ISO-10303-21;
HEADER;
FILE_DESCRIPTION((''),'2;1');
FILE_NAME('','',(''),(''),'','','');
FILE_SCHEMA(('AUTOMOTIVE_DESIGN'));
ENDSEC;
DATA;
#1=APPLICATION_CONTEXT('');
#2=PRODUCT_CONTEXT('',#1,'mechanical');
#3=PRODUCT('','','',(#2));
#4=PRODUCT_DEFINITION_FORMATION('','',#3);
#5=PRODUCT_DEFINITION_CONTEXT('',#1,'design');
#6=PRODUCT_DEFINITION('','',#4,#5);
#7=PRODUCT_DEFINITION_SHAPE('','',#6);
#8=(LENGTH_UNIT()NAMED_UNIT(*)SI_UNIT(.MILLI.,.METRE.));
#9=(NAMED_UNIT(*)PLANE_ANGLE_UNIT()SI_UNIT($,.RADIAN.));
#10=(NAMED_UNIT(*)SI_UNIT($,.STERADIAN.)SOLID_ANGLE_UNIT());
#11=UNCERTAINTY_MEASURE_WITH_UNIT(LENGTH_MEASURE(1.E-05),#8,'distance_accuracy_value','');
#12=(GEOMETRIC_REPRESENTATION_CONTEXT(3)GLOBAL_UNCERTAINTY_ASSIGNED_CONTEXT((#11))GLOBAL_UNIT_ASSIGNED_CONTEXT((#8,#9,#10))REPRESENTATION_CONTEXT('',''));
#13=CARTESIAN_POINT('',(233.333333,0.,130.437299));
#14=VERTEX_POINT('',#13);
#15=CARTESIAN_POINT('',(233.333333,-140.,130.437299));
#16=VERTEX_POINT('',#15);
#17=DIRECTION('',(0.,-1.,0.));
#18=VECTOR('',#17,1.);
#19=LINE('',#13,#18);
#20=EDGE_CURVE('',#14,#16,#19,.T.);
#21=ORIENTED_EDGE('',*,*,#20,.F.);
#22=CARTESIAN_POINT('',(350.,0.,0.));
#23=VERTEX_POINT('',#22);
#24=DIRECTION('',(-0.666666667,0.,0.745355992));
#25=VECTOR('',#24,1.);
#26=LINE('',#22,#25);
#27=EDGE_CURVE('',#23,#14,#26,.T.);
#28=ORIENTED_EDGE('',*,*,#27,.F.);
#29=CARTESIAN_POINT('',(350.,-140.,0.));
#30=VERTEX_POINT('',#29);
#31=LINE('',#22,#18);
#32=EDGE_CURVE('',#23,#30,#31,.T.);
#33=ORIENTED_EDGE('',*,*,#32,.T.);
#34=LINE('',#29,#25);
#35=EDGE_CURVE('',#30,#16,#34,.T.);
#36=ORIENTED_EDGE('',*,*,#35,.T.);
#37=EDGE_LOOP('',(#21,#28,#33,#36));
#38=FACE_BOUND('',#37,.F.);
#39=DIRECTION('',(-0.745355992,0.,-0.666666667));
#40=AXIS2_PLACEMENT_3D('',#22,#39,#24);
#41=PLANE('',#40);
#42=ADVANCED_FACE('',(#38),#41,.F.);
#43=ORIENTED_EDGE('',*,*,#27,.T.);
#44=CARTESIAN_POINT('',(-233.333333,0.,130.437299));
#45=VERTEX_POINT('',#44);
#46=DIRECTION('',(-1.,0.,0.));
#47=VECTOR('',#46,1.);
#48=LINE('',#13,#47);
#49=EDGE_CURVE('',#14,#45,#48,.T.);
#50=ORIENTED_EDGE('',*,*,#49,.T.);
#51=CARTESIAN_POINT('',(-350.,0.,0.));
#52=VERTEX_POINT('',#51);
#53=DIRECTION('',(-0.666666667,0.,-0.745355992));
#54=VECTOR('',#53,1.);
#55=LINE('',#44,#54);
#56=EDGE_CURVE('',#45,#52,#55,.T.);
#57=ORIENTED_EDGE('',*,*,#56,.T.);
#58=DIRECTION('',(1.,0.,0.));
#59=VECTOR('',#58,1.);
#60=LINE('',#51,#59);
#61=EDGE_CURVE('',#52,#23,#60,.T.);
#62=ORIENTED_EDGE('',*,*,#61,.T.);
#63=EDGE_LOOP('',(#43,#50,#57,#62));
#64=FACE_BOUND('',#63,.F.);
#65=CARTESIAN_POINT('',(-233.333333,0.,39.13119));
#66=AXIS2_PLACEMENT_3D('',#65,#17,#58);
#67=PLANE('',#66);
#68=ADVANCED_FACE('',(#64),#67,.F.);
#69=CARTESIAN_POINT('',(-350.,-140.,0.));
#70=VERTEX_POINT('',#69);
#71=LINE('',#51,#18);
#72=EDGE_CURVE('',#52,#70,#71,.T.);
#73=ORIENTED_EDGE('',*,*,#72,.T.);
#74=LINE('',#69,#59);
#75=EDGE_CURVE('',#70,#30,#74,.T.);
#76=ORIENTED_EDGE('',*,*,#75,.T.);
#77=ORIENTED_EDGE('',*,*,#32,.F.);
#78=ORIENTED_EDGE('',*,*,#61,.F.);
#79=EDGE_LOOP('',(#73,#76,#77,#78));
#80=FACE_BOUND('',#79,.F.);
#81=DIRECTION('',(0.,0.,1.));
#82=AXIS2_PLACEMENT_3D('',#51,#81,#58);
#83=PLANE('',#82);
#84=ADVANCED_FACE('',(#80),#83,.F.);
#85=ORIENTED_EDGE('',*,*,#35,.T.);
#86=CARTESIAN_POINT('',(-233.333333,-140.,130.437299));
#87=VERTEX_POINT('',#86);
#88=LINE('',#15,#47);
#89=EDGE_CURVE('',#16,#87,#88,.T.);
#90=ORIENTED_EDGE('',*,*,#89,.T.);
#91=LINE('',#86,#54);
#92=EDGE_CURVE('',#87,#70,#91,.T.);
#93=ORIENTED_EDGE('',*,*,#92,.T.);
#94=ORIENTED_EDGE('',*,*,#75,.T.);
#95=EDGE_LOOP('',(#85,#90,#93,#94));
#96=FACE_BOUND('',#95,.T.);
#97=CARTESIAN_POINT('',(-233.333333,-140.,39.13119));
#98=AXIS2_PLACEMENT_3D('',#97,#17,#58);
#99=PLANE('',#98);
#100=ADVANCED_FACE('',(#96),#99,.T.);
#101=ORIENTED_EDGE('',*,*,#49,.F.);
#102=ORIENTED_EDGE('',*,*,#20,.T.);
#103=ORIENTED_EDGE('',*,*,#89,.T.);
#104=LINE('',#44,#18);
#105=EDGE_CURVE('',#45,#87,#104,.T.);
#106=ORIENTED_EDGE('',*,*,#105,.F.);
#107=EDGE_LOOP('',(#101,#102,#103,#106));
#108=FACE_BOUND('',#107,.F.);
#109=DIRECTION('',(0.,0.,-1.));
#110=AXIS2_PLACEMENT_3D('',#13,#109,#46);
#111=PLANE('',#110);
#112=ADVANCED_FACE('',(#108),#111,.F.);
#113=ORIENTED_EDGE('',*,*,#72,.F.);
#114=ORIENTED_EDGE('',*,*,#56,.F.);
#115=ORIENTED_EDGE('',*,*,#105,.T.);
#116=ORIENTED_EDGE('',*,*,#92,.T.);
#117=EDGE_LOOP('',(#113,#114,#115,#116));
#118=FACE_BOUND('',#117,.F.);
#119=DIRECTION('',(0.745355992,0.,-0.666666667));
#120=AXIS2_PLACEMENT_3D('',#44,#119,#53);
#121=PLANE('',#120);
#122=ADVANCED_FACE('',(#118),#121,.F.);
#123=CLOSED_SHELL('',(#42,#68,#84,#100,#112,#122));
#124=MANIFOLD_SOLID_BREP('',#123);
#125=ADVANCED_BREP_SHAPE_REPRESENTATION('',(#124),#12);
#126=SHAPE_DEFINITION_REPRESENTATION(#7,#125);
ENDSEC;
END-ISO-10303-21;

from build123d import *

# Parameters (mm, degrees)
F1_DEPTH = 140


with BuildPart() as f1:
    # F0 (on Front) → F1 (new body)
    with BuildSketch(Plane.XZ):
        Polygon((-233.333333, 130.437299), (-350, 0), (-116.666667, 0), align=None)
        Polygon((0, 130.437299), (-116.666667, 0), (116.666667, 0), align=None)
        Polygon((-233.333333, 130.437299), (-116.666667, 0), (0, 130.437299), align=None)
        Polygon((233.333333, 130.437299), (116.666667, 0), (350, 0), align=None)
        Polygon((0, 130.437299), (116.666667, 0), (233.333333, 130.437299), align=None)
    extrude(amount=F1_DEPTH)


solid = f1.part
